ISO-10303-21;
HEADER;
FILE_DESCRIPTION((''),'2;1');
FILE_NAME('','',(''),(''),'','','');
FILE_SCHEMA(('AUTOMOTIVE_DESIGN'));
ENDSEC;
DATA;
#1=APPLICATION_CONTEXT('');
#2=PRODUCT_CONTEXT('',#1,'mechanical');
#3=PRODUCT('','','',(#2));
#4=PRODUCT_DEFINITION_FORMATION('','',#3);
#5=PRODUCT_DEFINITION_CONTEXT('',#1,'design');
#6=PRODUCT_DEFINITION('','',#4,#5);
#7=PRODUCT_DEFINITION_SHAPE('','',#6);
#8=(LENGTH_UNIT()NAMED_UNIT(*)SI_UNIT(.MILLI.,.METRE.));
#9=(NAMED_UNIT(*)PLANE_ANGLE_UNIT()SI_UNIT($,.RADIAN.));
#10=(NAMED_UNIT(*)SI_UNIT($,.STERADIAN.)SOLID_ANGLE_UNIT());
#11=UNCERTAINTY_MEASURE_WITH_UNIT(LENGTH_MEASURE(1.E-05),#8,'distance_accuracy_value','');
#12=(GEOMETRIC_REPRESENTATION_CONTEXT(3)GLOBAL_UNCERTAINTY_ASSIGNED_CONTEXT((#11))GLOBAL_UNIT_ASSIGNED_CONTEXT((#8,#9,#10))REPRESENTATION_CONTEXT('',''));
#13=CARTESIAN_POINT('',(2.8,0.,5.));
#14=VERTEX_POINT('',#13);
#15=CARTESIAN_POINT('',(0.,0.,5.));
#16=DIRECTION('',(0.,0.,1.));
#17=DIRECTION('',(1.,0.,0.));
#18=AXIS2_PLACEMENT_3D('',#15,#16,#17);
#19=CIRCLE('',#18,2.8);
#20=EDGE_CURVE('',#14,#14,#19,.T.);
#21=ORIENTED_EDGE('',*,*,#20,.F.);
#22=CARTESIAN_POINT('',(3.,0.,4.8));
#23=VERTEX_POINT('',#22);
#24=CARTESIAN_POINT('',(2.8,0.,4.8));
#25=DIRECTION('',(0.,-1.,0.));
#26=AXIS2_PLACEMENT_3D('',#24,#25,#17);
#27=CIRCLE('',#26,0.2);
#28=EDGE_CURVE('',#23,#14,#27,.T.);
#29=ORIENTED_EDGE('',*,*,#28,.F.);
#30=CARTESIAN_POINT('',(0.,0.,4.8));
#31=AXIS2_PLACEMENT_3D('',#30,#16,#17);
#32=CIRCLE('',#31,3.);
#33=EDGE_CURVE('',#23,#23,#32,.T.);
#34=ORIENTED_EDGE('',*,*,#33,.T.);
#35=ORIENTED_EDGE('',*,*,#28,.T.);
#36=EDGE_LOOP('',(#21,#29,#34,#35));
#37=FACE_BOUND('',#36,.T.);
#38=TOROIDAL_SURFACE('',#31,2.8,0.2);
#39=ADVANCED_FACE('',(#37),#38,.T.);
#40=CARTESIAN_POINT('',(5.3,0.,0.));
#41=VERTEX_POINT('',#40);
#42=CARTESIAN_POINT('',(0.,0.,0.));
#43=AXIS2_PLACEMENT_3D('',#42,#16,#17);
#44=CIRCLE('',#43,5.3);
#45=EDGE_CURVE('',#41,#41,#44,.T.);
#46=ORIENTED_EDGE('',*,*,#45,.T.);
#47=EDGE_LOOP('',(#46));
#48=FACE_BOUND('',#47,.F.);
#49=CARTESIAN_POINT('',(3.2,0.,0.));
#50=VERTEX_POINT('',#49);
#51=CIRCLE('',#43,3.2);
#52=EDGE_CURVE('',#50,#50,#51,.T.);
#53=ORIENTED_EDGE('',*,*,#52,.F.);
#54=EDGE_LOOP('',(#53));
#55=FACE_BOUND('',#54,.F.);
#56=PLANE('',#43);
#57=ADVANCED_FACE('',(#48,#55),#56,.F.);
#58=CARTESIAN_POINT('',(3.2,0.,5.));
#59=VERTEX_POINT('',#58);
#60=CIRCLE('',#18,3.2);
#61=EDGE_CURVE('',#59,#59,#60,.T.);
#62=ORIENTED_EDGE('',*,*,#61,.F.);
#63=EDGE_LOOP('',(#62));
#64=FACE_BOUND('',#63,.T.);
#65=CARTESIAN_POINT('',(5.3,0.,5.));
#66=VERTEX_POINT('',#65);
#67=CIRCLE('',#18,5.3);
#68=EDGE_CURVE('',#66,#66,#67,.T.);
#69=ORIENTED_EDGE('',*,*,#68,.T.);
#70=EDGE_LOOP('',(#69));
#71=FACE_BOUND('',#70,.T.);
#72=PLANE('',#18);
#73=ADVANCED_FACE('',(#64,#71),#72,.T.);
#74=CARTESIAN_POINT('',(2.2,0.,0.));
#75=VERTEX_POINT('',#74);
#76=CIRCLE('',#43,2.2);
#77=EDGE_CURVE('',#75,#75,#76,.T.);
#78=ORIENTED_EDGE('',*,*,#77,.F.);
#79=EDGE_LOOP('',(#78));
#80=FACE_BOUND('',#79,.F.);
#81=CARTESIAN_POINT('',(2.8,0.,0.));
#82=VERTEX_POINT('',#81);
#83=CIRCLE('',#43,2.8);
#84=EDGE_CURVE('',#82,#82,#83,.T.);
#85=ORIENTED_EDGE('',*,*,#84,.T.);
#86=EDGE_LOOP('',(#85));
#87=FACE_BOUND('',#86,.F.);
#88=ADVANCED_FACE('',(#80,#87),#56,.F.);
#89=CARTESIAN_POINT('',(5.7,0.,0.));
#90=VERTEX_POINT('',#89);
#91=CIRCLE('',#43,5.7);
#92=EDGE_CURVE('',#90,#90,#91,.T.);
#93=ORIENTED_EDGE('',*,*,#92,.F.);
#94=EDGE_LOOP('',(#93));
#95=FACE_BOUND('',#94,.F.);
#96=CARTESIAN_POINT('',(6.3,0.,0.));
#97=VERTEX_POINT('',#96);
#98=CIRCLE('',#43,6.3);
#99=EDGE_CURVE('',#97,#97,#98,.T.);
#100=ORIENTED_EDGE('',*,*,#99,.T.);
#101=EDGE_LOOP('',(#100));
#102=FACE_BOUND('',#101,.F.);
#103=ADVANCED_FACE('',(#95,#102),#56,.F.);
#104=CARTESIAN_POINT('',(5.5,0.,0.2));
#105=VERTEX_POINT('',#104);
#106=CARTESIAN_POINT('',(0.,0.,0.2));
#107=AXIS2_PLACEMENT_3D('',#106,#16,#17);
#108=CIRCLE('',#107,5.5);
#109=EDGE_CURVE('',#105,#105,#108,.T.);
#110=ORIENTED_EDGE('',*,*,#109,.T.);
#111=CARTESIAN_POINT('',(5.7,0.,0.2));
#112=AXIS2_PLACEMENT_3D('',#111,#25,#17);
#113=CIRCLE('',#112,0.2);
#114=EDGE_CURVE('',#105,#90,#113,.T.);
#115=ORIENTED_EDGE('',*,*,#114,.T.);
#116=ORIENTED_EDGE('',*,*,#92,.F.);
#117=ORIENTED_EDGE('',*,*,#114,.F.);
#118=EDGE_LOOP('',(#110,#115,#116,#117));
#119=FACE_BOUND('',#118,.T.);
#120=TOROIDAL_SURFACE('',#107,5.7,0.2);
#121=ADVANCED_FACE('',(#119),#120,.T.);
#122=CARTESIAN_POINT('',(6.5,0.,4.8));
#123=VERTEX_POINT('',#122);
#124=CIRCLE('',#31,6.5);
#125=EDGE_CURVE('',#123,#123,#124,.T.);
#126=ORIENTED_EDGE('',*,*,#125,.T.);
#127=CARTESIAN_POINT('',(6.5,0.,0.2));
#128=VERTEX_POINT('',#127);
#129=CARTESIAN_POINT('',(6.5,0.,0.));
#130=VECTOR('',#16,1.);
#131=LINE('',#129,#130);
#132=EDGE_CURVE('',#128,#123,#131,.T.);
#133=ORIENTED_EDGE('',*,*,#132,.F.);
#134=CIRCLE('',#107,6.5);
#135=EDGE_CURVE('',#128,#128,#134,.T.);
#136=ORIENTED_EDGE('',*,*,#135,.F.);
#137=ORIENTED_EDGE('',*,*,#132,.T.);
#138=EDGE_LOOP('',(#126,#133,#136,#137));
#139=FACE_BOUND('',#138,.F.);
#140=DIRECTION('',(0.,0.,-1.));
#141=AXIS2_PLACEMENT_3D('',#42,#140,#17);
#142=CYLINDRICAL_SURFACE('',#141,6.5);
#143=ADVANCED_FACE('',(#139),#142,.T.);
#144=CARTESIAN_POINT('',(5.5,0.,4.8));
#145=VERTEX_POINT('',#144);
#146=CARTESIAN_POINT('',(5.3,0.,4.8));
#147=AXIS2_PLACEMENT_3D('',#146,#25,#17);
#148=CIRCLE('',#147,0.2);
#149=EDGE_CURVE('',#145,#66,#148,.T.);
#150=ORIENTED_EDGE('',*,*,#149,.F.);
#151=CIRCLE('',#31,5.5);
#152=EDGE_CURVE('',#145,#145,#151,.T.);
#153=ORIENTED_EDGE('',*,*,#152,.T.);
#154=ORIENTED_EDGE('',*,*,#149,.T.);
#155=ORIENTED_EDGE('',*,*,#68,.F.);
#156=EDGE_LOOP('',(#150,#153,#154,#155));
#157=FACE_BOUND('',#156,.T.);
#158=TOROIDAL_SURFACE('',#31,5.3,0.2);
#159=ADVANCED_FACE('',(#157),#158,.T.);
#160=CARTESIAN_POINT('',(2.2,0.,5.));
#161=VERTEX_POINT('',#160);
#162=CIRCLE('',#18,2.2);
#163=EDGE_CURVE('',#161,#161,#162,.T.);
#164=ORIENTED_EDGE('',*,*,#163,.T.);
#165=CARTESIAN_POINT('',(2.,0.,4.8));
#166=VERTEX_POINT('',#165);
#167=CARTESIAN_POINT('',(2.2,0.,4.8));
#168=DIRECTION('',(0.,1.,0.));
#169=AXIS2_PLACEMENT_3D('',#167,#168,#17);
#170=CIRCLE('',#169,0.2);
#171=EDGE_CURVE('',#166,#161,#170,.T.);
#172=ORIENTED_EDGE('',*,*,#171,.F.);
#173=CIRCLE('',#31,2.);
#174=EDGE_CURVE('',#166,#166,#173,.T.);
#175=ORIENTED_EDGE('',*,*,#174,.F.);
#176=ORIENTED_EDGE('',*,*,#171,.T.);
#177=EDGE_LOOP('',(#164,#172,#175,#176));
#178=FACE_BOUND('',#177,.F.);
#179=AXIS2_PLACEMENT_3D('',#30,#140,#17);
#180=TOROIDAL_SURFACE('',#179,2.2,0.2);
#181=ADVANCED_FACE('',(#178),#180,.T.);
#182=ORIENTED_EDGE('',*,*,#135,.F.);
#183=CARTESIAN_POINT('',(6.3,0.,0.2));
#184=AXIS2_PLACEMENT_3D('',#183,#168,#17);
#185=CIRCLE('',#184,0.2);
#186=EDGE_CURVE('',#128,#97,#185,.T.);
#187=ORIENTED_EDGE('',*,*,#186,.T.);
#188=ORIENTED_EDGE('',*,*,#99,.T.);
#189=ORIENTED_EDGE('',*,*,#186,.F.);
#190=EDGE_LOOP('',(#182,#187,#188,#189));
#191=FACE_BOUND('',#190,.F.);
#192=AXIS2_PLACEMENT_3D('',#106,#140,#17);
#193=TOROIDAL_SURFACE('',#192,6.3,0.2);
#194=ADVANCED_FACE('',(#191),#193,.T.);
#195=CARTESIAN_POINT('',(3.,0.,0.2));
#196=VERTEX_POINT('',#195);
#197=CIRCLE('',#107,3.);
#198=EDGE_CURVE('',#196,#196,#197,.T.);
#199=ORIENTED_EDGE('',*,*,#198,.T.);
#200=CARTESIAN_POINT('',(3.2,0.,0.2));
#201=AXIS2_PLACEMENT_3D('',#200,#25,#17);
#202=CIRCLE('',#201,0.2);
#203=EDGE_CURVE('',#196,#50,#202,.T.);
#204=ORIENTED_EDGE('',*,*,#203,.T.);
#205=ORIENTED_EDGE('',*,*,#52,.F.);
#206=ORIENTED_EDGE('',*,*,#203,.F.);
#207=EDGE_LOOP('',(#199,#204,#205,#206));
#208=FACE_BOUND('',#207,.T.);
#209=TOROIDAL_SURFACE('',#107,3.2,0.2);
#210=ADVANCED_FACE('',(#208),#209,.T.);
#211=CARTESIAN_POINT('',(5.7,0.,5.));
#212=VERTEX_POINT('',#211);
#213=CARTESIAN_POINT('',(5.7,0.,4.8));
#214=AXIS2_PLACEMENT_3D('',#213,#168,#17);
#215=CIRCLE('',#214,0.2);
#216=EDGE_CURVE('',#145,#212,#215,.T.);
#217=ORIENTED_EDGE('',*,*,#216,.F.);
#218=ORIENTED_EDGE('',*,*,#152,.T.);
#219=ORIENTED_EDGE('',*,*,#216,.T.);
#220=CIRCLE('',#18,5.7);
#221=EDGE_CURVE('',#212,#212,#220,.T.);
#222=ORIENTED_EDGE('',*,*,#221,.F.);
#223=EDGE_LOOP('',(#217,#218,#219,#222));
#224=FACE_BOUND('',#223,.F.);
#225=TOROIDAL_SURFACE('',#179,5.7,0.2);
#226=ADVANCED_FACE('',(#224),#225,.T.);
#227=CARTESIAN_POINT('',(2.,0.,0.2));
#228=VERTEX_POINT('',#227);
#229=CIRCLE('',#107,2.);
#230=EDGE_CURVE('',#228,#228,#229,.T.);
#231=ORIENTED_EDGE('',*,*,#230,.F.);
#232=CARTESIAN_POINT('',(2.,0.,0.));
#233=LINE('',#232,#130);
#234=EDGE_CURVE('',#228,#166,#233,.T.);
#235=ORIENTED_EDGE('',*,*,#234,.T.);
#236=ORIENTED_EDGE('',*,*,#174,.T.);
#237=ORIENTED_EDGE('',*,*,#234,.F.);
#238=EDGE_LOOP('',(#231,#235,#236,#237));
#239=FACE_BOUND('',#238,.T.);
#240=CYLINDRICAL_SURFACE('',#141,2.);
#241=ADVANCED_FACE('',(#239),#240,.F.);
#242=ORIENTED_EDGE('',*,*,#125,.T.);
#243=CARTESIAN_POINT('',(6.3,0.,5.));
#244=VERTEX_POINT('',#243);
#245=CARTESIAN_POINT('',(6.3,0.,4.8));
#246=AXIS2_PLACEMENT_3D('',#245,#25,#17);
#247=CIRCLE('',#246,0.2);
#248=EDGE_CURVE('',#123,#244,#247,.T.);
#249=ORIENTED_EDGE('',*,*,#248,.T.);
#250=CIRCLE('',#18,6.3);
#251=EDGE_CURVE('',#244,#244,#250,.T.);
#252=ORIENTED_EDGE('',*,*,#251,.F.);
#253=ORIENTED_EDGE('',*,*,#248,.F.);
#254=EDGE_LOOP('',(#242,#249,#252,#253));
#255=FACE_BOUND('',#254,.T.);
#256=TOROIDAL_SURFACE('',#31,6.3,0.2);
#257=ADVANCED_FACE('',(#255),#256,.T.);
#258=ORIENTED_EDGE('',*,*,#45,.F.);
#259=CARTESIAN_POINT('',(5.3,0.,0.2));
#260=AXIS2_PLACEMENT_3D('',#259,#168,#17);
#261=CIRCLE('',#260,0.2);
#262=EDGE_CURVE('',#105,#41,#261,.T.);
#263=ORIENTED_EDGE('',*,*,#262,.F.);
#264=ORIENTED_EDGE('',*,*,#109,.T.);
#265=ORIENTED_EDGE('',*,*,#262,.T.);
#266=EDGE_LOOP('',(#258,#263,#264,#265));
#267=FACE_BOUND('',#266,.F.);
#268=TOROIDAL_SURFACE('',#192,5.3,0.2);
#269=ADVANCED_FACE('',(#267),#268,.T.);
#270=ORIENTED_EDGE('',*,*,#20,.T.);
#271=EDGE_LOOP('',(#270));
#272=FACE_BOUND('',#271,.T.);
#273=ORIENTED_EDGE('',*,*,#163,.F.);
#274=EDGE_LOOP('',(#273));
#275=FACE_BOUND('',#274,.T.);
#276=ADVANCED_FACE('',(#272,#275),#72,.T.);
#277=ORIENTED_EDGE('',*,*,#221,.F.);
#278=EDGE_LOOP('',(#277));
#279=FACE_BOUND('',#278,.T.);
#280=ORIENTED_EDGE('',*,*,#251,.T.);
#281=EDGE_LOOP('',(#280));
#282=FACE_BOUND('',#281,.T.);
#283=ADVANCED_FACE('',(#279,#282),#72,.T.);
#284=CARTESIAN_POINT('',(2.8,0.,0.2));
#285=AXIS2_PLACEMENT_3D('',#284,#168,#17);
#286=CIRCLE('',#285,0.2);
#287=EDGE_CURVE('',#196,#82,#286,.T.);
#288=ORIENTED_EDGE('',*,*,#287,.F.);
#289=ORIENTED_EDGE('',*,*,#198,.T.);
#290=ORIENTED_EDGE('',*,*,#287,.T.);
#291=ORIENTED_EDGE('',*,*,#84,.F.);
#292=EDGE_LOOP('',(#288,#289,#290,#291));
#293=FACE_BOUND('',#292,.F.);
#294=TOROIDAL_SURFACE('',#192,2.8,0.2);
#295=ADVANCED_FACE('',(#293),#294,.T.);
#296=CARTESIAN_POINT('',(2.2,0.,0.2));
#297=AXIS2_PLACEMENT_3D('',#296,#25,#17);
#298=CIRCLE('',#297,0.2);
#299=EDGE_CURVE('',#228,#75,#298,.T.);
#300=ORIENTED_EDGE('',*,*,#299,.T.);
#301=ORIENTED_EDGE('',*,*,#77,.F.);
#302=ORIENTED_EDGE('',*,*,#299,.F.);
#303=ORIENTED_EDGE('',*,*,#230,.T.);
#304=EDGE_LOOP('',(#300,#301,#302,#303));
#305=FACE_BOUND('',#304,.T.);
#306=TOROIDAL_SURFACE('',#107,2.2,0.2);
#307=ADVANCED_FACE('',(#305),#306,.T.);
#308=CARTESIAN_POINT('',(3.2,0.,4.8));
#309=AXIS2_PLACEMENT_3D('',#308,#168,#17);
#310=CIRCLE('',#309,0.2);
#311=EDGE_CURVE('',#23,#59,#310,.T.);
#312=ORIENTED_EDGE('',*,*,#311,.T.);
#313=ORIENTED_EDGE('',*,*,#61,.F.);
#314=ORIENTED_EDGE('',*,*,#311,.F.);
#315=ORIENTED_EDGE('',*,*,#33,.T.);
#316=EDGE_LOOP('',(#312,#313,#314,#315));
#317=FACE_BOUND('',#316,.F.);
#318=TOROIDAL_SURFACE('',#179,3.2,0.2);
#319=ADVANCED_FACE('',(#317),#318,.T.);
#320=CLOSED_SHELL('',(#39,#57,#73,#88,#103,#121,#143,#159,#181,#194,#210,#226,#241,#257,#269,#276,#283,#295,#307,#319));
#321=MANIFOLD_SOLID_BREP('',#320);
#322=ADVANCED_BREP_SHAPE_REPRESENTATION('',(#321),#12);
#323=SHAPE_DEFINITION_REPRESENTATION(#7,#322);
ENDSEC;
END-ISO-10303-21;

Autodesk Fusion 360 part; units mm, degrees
sketch "Sketch1" plane through (0, 0, 0) normal (0, 0, 1) x (1, 0, 0)
  circle A0 centre (0, 0) radius 6.5
  circle A1 centre (0, 0) radius 2
  circle A2 centre (0, 0) radius 5.5
  circle A3 centre (0, 0) radius 3
  dimension "d1" = 13
  dimension "d2" = 4
  dimension "d5" = -1
  dimension "d6" = 1
extrude "Extrude2" add sketch "Sketch1" along normal blind 5 contours A0 makes body 1
fillet "Fillet1" radius 0.2 2 edges at (-6.0601, -2.3505, 5) (-5.1278, 1.9889, 5) on bodies 1
fillet "Fillet1" radius 0.2 2 edges at (-6.0601, -2.3505, 0) (-5.1278, 1.9889, 0) on bodies 1
extrude "Extrude3" add sketch "Sketch1" along normal blind 5 separate body contours A3 makes body 2
fillet "Fillet2" radius 0.2 2 edges at (-2.797, -1.0848, 5) (-1.8647, 0.7232, 5) on bodies 2
fillet "Fillet2" radius 0.2 2 edges at (-2.797, -1.0848, 0) (-1.8647, 0.7232, 0) on bodies 2
extrude "Extrude4" add sketch "Sketch1" along normal blind 5 separate body contours A2 makes body 3
fillet "Fillet3" radius 0.2 2 edges at (-5.1278, -1.9889, 5) (-2.797, 1.0848, 5) on bodies 3
fillet "Fillet3" radius 0.2 2 edges at (-5.1278, -1.9889, 0) (-2.797, 1.0848, 0) on bodies 3
combine "Combine1" operation add target body 1 tool bodies 2 3
